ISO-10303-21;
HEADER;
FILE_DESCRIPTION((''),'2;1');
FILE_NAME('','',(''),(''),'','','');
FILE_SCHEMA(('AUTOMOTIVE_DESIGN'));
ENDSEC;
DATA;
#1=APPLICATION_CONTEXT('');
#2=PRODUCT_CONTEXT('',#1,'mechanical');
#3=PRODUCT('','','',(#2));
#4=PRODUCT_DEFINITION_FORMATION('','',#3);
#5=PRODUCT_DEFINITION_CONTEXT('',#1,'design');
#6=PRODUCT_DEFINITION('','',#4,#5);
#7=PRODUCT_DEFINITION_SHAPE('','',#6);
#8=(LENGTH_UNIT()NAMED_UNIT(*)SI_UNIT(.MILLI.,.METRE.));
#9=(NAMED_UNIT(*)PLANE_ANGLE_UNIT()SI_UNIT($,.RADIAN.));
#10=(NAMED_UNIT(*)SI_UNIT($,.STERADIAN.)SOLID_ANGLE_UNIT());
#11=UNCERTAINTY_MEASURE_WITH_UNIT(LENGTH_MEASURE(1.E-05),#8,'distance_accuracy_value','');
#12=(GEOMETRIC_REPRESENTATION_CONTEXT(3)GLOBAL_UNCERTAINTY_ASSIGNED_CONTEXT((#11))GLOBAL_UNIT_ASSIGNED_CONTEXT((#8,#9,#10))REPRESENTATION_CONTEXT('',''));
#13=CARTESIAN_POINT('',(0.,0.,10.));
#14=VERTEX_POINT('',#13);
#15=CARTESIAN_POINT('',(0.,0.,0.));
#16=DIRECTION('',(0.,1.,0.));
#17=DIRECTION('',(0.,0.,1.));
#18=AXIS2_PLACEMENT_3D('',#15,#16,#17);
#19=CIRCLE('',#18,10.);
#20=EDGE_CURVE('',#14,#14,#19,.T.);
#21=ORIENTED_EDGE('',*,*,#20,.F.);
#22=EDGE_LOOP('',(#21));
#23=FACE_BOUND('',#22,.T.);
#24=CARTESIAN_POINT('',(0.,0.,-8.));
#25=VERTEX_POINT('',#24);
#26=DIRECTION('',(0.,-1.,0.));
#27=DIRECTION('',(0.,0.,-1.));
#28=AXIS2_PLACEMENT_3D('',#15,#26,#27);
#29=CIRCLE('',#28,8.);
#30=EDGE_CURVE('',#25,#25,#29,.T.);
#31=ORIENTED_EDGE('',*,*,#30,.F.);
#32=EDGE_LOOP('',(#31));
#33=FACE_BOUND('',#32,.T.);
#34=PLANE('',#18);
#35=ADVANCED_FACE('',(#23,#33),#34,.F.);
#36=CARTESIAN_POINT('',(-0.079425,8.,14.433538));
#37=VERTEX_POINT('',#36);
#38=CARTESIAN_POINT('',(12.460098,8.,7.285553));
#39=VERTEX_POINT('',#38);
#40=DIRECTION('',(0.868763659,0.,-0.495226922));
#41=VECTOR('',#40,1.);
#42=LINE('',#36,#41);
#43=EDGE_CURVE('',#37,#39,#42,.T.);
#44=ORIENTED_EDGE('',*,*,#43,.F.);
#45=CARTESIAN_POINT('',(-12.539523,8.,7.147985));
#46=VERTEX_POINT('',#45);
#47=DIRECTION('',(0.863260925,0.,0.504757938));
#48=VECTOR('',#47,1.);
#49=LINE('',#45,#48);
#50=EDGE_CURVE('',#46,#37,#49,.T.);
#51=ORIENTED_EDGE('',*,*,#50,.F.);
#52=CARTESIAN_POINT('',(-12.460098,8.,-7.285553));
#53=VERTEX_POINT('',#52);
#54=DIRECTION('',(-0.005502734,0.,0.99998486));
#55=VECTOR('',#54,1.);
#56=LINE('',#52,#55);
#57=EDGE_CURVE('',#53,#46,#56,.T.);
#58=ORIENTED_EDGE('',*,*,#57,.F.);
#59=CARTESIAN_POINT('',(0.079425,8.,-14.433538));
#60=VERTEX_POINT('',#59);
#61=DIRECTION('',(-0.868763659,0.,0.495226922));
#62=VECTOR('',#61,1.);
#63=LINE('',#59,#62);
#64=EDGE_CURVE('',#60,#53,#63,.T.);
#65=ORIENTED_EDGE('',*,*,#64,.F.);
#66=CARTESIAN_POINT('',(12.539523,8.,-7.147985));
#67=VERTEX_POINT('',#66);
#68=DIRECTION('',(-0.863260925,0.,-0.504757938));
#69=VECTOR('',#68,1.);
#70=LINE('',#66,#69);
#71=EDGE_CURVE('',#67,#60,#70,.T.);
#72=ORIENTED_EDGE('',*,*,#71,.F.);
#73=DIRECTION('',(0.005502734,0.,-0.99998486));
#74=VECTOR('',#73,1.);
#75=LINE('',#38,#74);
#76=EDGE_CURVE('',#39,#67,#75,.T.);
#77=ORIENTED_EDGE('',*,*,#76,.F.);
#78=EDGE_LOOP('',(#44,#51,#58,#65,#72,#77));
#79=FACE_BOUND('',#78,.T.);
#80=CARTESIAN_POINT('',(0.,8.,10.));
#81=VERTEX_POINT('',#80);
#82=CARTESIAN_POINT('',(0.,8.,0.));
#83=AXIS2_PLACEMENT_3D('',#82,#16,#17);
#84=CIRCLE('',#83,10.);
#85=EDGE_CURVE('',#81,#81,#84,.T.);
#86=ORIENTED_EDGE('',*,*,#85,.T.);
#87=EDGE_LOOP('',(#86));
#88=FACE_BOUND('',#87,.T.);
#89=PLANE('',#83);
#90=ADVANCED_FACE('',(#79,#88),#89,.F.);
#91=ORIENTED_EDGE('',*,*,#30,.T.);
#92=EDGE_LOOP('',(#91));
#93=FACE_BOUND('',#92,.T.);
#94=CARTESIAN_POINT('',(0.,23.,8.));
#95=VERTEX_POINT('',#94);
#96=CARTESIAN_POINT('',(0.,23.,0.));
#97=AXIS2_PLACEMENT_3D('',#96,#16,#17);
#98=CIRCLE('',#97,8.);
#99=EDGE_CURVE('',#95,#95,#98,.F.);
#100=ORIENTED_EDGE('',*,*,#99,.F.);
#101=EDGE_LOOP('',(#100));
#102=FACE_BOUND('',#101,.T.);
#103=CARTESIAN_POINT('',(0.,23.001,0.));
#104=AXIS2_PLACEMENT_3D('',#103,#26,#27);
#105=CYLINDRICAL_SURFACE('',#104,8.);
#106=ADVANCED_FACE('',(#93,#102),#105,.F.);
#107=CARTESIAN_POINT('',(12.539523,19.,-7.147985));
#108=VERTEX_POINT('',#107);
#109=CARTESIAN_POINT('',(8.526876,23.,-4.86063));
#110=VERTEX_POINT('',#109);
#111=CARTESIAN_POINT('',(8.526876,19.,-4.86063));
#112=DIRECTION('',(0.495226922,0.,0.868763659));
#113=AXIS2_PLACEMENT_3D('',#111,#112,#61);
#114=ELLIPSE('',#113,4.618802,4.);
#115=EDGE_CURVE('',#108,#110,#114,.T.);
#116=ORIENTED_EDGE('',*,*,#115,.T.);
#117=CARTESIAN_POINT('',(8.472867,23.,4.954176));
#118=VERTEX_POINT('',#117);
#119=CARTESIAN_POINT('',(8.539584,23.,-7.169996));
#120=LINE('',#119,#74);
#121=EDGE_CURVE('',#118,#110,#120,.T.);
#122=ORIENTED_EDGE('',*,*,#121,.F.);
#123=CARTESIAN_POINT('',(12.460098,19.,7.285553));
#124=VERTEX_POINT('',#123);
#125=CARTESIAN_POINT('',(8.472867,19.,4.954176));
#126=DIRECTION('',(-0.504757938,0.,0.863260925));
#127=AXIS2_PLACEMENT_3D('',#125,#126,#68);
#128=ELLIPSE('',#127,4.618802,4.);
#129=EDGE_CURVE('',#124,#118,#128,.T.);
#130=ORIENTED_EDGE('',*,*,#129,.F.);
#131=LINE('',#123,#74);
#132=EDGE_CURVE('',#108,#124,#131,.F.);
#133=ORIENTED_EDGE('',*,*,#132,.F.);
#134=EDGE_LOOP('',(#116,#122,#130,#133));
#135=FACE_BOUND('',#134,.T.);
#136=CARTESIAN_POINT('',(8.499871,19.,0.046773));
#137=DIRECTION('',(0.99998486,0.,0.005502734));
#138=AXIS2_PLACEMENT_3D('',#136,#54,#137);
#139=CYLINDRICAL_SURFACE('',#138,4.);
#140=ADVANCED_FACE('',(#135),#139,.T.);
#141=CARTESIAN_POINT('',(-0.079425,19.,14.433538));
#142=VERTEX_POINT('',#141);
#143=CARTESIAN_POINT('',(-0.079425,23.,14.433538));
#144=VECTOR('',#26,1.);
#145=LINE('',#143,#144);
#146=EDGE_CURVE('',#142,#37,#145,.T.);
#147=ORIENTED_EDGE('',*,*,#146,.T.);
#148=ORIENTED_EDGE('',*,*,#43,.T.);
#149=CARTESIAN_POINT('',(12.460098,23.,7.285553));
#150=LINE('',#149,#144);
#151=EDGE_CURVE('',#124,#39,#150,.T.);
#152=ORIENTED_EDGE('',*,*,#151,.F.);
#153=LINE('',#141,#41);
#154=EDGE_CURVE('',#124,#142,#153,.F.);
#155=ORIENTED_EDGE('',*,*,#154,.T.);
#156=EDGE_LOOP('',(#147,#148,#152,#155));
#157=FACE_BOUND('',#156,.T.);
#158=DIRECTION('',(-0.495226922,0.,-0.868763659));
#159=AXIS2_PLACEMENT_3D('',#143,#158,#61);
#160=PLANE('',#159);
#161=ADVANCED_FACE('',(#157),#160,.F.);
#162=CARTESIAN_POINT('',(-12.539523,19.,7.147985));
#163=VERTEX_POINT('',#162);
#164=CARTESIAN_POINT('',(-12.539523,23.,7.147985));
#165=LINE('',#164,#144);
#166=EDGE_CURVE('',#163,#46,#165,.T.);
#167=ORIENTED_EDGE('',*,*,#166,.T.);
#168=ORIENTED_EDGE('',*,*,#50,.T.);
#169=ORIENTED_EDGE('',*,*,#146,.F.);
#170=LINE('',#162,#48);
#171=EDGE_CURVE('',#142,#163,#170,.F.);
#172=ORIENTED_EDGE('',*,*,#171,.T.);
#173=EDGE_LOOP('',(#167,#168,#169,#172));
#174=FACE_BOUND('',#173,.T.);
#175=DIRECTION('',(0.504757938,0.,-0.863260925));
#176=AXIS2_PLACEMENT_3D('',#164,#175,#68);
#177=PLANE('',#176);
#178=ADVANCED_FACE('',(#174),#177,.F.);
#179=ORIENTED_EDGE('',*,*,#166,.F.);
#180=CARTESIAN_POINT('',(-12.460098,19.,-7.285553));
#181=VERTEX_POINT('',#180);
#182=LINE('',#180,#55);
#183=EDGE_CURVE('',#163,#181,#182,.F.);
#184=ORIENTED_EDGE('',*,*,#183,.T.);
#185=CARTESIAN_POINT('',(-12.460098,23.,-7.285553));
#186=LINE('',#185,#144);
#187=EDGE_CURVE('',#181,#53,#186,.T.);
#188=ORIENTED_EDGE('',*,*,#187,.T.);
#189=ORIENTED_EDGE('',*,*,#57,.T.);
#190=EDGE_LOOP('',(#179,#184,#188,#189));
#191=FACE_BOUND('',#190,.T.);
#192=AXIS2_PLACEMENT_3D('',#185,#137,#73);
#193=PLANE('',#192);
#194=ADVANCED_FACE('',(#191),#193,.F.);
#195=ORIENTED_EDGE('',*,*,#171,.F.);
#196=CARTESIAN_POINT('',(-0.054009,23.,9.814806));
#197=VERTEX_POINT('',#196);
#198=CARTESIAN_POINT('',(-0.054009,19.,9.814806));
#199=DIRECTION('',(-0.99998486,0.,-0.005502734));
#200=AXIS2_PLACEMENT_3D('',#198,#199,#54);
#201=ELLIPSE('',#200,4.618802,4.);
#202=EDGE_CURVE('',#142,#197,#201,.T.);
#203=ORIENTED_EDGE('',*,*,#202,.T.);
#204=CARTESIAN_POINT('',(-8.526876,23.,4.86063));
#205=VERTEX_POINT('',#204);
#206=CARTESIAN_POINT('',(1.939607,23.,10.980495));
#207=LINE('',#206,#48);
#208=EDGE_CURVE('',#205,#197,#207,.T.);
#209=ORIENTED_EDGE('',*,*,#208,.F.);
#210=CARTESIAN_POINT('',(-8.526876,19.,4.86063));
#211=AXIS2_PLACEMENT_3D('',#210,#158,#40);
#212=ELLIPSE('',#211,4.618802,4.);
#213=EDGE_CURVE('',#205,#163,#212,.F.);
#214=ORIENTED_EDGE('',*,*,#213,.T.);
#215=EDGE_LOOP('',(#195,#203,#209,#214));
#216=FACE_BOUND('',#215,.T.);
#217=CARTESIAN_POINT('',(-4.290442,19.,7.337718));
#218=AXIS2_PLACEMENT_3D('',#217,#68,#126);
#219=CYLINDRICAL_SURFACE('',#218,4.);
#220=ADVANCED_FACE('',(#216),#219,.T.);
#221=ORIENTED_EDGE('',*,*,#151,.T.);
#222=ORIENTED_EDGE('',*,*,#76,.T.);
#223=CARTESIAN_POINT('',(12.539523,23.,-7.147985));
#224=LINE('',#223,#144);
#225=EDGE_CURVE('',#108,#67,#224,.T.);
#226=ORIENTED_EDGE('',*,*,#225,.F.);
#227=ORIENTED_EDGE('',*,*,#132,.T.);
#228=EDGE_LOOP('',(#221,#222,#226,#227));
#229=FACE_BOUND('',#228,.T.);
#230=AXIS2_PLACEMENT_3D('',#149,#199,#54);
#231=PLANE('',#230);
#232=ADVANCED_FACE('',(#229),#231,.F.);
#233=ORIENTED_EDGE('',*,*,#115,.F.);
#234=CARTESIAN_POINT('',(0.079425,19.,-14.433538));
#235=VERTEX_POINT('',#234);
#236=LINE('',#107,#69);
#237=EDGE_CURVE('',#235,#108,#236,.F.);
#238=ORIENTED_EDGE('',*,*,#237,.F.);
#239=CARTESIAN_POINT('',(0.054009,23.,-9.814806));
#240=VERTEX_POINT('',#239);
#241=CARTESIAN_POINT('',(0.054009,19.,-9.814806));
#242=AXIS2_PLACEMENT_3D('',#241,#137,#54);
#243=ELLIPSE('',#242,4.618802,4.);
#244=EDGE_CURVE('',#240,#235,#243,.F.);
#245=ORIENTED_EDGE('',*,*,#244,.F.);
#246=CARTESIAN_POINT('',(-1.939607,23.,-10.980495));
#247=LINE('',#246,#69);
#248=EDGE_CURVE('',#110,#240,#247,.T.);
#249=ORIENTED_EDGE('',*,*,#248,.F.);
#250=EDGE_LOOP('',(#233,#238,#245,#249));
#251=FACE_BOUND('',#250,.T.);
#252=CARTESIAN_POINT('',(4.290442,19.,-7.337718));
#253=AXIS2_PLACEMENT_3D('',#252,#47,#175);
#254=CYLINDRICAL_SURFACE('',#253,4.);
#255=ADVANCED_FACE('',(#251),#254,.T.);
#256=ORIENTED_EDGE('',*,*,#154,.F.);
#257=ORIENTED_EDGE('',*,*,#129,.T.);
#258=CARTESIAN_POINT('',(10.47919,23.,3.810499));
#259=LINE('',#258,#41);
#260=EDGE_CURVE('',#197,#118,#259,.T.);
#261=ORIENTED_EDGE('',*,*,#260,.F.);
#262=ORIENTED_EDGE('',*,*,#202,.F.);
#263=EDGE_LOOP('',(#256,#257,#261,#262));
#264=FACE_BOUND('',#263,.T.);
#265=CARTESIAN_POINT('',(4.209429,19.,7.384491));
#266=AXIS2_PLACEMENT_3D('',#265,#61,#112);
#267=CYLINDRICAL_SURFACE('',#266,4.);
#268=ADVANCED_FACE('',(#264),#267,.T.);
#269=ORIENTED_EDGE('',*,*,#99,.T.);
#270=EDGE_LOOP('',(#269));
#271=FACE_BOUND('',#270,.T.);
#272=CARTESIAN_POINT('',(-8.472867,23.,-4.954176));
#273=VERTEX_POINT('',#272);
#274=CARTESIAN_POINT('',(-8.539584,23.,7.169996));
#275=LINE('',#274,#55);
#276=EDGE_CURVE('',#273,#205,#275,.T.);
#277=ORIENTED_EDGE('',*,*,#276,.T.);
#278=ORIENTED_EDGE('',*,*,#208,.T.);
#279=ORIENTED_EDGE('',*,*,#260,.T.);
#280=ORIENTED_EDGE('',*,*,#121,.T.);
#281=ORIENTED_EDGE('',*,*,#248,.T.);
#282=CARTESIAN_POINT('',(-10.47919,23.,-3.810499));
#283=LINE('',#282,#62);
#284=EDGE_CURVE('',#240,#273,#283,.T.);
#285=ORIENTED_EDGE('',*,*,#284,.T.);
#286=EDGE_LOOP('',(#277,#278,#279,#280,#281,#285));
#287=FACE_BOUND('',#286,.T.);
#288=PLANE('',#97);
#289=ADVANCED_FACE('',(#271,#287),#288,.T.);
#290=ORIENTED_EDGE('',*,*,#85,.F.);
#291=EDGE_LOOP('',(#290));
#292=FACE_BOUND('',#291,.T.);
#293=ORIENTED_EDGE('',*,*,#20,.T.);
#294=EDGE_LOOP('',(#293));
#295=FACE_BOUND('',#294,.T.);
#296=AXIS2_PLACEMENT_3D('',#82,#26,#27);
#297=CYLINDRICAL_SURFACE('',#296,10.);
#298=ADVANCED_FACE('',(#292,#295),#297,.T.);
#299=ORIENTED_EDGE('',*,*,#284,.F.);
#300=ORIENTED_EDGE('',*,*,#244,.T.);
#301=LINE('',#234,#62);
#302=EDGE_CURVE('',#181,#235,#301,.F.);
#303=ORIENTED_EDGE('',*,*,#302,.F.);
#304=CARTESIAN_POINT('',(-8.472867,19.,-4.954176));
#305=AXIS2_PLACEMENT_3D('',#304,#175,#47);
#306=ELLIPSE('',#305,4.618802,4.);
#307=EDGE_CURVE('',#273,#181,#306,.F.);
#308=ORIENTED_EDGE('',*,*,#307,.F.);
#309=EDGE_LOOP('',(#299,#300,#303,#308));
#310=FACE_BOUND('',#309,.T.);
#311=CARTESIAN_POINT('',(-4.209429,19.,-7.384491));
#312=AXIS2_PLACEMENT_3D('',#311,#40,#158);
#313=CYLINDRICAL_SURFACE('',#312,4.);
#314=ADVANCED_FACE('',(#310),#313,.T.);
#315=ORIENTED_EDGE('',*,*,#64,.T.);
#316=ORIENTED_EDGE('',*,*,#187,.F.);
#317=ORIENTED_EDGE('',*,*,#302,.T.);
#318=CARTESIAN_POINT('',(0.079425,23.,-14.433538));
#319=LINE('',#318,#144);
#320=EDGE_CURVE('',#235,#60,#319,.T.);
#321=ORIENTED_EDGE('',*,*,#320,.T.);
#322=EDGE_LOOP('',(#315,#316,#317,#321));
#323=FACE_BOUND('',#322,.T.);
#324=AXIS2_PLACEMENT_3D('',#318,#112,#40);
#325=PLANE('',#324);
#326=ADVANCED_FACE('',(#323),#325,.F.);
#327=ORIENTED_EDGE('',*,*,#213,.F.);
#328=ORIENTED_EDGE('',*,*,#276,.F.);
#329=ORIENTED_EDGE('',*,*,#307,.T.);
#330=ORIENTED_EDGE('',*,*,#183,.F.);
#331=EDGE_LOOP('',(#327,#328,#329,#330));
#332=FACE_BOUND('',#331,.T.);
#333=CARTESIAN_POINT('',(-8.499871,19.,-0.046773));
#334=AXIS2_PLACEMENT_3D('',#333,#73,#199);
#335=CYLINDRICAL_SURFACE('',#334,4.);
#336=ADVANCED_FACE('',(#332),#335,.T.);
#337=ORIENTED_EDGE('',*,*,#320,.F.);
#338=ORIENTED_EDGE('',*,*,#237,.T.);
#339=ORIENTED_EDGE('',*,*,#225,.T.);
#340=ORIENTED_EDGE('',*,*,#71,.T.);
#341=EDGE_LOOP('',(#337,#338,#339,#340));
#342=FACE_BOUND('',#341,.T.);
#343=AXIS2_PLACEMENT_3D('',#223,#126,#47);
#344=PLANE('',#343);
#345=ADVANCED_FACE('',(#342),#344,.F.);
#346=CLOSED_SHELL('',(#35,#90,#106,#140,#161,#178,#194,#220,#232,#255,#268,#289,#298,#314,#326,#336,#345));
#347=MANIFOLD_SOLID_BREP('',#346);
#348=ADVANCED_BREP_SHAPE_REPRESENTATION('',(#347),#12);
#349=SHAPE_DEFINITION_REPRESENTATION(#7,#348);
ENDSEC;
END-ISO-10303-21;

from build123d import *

# Parameters (mm, degrees)
SKETCH1_R           = 10
BOSS_EXTRUDE1_DEPTH = 8
BOSS_EXTRUDE2_DEPTH = 15
CUT_EXTRUDE1_REACH  = 31.909
SKETCH3_R           = 8
FILLET1_R           = 4


with BuildPart() as part:
    # Sketch1 → Boss-Extrude1 (new body)
    with BuildSketch(Plane(origin=(0, 0, 0), x_dir=(1, 0, 0), z_dir=(0, 1, 0))):
        with Locations(Location((0, 0, 0), (0, 0, 270))):
            Circle(SKETCH1_R)
    extrude(amount=BOSS_EXTRUDE1_DEPTH)

    # Sketch2 → Boss-Extrude2 (add)
    with BuildSketch(Plane(origin=(0, 8, 0), x_dir=(1, 0, 0), z_dir=(0, 1, 0))):
        Polygon((12.460098185, -7.285553277), (12.539523311, 7.147984923), (0.079425127, 14.4335382), (-12.460098185, 7.285553277), (-12.539523311, -7.147984923), (-0.079425127, -14.4335382), align=None)
    extrude(amount=BOSS_EXTRUDE2_DEPTH)

    # Sketch3 → Cut-Extrude1 (cut, up to next)
    with BuildSketch(Plane.XZ, mode=Mode.PRIVATE) as cut_extrude1_sk1:
        with Locations(Location((0, 0, 0), (0, 0, 270))):
            Circle(SKETCH3_R)
    cut_extrude1_tool1 = extrude(cut_extrude1_sk1.sketch, amount=-CUT_EXTRUDE1_REACH, mode=Mode.PRIVATE) & part.part
    add(cut_extrude1_tool1.solids().sort_by_distance((0, 0, 0))[0], mode=Mode.SUBTRACT)

    # Fillet1
    fillet1_edges = [part.edges().sort_by_distance(p)[0] for p in [
        (6.190336529, 23, 10.859545739),
        (12.499810748, 23, 0.068784177),
        (6.309474219, 23, -10.790761562),
        (-6.190336529, 23, -10.859545739),
        (-12.499810748, 23, -0.068784177),
        (-6.309474219, 23, 10.790761562),
    ]]
    fillet(fillet1_edges, radius=FILLET1_R)


solid = part.part
